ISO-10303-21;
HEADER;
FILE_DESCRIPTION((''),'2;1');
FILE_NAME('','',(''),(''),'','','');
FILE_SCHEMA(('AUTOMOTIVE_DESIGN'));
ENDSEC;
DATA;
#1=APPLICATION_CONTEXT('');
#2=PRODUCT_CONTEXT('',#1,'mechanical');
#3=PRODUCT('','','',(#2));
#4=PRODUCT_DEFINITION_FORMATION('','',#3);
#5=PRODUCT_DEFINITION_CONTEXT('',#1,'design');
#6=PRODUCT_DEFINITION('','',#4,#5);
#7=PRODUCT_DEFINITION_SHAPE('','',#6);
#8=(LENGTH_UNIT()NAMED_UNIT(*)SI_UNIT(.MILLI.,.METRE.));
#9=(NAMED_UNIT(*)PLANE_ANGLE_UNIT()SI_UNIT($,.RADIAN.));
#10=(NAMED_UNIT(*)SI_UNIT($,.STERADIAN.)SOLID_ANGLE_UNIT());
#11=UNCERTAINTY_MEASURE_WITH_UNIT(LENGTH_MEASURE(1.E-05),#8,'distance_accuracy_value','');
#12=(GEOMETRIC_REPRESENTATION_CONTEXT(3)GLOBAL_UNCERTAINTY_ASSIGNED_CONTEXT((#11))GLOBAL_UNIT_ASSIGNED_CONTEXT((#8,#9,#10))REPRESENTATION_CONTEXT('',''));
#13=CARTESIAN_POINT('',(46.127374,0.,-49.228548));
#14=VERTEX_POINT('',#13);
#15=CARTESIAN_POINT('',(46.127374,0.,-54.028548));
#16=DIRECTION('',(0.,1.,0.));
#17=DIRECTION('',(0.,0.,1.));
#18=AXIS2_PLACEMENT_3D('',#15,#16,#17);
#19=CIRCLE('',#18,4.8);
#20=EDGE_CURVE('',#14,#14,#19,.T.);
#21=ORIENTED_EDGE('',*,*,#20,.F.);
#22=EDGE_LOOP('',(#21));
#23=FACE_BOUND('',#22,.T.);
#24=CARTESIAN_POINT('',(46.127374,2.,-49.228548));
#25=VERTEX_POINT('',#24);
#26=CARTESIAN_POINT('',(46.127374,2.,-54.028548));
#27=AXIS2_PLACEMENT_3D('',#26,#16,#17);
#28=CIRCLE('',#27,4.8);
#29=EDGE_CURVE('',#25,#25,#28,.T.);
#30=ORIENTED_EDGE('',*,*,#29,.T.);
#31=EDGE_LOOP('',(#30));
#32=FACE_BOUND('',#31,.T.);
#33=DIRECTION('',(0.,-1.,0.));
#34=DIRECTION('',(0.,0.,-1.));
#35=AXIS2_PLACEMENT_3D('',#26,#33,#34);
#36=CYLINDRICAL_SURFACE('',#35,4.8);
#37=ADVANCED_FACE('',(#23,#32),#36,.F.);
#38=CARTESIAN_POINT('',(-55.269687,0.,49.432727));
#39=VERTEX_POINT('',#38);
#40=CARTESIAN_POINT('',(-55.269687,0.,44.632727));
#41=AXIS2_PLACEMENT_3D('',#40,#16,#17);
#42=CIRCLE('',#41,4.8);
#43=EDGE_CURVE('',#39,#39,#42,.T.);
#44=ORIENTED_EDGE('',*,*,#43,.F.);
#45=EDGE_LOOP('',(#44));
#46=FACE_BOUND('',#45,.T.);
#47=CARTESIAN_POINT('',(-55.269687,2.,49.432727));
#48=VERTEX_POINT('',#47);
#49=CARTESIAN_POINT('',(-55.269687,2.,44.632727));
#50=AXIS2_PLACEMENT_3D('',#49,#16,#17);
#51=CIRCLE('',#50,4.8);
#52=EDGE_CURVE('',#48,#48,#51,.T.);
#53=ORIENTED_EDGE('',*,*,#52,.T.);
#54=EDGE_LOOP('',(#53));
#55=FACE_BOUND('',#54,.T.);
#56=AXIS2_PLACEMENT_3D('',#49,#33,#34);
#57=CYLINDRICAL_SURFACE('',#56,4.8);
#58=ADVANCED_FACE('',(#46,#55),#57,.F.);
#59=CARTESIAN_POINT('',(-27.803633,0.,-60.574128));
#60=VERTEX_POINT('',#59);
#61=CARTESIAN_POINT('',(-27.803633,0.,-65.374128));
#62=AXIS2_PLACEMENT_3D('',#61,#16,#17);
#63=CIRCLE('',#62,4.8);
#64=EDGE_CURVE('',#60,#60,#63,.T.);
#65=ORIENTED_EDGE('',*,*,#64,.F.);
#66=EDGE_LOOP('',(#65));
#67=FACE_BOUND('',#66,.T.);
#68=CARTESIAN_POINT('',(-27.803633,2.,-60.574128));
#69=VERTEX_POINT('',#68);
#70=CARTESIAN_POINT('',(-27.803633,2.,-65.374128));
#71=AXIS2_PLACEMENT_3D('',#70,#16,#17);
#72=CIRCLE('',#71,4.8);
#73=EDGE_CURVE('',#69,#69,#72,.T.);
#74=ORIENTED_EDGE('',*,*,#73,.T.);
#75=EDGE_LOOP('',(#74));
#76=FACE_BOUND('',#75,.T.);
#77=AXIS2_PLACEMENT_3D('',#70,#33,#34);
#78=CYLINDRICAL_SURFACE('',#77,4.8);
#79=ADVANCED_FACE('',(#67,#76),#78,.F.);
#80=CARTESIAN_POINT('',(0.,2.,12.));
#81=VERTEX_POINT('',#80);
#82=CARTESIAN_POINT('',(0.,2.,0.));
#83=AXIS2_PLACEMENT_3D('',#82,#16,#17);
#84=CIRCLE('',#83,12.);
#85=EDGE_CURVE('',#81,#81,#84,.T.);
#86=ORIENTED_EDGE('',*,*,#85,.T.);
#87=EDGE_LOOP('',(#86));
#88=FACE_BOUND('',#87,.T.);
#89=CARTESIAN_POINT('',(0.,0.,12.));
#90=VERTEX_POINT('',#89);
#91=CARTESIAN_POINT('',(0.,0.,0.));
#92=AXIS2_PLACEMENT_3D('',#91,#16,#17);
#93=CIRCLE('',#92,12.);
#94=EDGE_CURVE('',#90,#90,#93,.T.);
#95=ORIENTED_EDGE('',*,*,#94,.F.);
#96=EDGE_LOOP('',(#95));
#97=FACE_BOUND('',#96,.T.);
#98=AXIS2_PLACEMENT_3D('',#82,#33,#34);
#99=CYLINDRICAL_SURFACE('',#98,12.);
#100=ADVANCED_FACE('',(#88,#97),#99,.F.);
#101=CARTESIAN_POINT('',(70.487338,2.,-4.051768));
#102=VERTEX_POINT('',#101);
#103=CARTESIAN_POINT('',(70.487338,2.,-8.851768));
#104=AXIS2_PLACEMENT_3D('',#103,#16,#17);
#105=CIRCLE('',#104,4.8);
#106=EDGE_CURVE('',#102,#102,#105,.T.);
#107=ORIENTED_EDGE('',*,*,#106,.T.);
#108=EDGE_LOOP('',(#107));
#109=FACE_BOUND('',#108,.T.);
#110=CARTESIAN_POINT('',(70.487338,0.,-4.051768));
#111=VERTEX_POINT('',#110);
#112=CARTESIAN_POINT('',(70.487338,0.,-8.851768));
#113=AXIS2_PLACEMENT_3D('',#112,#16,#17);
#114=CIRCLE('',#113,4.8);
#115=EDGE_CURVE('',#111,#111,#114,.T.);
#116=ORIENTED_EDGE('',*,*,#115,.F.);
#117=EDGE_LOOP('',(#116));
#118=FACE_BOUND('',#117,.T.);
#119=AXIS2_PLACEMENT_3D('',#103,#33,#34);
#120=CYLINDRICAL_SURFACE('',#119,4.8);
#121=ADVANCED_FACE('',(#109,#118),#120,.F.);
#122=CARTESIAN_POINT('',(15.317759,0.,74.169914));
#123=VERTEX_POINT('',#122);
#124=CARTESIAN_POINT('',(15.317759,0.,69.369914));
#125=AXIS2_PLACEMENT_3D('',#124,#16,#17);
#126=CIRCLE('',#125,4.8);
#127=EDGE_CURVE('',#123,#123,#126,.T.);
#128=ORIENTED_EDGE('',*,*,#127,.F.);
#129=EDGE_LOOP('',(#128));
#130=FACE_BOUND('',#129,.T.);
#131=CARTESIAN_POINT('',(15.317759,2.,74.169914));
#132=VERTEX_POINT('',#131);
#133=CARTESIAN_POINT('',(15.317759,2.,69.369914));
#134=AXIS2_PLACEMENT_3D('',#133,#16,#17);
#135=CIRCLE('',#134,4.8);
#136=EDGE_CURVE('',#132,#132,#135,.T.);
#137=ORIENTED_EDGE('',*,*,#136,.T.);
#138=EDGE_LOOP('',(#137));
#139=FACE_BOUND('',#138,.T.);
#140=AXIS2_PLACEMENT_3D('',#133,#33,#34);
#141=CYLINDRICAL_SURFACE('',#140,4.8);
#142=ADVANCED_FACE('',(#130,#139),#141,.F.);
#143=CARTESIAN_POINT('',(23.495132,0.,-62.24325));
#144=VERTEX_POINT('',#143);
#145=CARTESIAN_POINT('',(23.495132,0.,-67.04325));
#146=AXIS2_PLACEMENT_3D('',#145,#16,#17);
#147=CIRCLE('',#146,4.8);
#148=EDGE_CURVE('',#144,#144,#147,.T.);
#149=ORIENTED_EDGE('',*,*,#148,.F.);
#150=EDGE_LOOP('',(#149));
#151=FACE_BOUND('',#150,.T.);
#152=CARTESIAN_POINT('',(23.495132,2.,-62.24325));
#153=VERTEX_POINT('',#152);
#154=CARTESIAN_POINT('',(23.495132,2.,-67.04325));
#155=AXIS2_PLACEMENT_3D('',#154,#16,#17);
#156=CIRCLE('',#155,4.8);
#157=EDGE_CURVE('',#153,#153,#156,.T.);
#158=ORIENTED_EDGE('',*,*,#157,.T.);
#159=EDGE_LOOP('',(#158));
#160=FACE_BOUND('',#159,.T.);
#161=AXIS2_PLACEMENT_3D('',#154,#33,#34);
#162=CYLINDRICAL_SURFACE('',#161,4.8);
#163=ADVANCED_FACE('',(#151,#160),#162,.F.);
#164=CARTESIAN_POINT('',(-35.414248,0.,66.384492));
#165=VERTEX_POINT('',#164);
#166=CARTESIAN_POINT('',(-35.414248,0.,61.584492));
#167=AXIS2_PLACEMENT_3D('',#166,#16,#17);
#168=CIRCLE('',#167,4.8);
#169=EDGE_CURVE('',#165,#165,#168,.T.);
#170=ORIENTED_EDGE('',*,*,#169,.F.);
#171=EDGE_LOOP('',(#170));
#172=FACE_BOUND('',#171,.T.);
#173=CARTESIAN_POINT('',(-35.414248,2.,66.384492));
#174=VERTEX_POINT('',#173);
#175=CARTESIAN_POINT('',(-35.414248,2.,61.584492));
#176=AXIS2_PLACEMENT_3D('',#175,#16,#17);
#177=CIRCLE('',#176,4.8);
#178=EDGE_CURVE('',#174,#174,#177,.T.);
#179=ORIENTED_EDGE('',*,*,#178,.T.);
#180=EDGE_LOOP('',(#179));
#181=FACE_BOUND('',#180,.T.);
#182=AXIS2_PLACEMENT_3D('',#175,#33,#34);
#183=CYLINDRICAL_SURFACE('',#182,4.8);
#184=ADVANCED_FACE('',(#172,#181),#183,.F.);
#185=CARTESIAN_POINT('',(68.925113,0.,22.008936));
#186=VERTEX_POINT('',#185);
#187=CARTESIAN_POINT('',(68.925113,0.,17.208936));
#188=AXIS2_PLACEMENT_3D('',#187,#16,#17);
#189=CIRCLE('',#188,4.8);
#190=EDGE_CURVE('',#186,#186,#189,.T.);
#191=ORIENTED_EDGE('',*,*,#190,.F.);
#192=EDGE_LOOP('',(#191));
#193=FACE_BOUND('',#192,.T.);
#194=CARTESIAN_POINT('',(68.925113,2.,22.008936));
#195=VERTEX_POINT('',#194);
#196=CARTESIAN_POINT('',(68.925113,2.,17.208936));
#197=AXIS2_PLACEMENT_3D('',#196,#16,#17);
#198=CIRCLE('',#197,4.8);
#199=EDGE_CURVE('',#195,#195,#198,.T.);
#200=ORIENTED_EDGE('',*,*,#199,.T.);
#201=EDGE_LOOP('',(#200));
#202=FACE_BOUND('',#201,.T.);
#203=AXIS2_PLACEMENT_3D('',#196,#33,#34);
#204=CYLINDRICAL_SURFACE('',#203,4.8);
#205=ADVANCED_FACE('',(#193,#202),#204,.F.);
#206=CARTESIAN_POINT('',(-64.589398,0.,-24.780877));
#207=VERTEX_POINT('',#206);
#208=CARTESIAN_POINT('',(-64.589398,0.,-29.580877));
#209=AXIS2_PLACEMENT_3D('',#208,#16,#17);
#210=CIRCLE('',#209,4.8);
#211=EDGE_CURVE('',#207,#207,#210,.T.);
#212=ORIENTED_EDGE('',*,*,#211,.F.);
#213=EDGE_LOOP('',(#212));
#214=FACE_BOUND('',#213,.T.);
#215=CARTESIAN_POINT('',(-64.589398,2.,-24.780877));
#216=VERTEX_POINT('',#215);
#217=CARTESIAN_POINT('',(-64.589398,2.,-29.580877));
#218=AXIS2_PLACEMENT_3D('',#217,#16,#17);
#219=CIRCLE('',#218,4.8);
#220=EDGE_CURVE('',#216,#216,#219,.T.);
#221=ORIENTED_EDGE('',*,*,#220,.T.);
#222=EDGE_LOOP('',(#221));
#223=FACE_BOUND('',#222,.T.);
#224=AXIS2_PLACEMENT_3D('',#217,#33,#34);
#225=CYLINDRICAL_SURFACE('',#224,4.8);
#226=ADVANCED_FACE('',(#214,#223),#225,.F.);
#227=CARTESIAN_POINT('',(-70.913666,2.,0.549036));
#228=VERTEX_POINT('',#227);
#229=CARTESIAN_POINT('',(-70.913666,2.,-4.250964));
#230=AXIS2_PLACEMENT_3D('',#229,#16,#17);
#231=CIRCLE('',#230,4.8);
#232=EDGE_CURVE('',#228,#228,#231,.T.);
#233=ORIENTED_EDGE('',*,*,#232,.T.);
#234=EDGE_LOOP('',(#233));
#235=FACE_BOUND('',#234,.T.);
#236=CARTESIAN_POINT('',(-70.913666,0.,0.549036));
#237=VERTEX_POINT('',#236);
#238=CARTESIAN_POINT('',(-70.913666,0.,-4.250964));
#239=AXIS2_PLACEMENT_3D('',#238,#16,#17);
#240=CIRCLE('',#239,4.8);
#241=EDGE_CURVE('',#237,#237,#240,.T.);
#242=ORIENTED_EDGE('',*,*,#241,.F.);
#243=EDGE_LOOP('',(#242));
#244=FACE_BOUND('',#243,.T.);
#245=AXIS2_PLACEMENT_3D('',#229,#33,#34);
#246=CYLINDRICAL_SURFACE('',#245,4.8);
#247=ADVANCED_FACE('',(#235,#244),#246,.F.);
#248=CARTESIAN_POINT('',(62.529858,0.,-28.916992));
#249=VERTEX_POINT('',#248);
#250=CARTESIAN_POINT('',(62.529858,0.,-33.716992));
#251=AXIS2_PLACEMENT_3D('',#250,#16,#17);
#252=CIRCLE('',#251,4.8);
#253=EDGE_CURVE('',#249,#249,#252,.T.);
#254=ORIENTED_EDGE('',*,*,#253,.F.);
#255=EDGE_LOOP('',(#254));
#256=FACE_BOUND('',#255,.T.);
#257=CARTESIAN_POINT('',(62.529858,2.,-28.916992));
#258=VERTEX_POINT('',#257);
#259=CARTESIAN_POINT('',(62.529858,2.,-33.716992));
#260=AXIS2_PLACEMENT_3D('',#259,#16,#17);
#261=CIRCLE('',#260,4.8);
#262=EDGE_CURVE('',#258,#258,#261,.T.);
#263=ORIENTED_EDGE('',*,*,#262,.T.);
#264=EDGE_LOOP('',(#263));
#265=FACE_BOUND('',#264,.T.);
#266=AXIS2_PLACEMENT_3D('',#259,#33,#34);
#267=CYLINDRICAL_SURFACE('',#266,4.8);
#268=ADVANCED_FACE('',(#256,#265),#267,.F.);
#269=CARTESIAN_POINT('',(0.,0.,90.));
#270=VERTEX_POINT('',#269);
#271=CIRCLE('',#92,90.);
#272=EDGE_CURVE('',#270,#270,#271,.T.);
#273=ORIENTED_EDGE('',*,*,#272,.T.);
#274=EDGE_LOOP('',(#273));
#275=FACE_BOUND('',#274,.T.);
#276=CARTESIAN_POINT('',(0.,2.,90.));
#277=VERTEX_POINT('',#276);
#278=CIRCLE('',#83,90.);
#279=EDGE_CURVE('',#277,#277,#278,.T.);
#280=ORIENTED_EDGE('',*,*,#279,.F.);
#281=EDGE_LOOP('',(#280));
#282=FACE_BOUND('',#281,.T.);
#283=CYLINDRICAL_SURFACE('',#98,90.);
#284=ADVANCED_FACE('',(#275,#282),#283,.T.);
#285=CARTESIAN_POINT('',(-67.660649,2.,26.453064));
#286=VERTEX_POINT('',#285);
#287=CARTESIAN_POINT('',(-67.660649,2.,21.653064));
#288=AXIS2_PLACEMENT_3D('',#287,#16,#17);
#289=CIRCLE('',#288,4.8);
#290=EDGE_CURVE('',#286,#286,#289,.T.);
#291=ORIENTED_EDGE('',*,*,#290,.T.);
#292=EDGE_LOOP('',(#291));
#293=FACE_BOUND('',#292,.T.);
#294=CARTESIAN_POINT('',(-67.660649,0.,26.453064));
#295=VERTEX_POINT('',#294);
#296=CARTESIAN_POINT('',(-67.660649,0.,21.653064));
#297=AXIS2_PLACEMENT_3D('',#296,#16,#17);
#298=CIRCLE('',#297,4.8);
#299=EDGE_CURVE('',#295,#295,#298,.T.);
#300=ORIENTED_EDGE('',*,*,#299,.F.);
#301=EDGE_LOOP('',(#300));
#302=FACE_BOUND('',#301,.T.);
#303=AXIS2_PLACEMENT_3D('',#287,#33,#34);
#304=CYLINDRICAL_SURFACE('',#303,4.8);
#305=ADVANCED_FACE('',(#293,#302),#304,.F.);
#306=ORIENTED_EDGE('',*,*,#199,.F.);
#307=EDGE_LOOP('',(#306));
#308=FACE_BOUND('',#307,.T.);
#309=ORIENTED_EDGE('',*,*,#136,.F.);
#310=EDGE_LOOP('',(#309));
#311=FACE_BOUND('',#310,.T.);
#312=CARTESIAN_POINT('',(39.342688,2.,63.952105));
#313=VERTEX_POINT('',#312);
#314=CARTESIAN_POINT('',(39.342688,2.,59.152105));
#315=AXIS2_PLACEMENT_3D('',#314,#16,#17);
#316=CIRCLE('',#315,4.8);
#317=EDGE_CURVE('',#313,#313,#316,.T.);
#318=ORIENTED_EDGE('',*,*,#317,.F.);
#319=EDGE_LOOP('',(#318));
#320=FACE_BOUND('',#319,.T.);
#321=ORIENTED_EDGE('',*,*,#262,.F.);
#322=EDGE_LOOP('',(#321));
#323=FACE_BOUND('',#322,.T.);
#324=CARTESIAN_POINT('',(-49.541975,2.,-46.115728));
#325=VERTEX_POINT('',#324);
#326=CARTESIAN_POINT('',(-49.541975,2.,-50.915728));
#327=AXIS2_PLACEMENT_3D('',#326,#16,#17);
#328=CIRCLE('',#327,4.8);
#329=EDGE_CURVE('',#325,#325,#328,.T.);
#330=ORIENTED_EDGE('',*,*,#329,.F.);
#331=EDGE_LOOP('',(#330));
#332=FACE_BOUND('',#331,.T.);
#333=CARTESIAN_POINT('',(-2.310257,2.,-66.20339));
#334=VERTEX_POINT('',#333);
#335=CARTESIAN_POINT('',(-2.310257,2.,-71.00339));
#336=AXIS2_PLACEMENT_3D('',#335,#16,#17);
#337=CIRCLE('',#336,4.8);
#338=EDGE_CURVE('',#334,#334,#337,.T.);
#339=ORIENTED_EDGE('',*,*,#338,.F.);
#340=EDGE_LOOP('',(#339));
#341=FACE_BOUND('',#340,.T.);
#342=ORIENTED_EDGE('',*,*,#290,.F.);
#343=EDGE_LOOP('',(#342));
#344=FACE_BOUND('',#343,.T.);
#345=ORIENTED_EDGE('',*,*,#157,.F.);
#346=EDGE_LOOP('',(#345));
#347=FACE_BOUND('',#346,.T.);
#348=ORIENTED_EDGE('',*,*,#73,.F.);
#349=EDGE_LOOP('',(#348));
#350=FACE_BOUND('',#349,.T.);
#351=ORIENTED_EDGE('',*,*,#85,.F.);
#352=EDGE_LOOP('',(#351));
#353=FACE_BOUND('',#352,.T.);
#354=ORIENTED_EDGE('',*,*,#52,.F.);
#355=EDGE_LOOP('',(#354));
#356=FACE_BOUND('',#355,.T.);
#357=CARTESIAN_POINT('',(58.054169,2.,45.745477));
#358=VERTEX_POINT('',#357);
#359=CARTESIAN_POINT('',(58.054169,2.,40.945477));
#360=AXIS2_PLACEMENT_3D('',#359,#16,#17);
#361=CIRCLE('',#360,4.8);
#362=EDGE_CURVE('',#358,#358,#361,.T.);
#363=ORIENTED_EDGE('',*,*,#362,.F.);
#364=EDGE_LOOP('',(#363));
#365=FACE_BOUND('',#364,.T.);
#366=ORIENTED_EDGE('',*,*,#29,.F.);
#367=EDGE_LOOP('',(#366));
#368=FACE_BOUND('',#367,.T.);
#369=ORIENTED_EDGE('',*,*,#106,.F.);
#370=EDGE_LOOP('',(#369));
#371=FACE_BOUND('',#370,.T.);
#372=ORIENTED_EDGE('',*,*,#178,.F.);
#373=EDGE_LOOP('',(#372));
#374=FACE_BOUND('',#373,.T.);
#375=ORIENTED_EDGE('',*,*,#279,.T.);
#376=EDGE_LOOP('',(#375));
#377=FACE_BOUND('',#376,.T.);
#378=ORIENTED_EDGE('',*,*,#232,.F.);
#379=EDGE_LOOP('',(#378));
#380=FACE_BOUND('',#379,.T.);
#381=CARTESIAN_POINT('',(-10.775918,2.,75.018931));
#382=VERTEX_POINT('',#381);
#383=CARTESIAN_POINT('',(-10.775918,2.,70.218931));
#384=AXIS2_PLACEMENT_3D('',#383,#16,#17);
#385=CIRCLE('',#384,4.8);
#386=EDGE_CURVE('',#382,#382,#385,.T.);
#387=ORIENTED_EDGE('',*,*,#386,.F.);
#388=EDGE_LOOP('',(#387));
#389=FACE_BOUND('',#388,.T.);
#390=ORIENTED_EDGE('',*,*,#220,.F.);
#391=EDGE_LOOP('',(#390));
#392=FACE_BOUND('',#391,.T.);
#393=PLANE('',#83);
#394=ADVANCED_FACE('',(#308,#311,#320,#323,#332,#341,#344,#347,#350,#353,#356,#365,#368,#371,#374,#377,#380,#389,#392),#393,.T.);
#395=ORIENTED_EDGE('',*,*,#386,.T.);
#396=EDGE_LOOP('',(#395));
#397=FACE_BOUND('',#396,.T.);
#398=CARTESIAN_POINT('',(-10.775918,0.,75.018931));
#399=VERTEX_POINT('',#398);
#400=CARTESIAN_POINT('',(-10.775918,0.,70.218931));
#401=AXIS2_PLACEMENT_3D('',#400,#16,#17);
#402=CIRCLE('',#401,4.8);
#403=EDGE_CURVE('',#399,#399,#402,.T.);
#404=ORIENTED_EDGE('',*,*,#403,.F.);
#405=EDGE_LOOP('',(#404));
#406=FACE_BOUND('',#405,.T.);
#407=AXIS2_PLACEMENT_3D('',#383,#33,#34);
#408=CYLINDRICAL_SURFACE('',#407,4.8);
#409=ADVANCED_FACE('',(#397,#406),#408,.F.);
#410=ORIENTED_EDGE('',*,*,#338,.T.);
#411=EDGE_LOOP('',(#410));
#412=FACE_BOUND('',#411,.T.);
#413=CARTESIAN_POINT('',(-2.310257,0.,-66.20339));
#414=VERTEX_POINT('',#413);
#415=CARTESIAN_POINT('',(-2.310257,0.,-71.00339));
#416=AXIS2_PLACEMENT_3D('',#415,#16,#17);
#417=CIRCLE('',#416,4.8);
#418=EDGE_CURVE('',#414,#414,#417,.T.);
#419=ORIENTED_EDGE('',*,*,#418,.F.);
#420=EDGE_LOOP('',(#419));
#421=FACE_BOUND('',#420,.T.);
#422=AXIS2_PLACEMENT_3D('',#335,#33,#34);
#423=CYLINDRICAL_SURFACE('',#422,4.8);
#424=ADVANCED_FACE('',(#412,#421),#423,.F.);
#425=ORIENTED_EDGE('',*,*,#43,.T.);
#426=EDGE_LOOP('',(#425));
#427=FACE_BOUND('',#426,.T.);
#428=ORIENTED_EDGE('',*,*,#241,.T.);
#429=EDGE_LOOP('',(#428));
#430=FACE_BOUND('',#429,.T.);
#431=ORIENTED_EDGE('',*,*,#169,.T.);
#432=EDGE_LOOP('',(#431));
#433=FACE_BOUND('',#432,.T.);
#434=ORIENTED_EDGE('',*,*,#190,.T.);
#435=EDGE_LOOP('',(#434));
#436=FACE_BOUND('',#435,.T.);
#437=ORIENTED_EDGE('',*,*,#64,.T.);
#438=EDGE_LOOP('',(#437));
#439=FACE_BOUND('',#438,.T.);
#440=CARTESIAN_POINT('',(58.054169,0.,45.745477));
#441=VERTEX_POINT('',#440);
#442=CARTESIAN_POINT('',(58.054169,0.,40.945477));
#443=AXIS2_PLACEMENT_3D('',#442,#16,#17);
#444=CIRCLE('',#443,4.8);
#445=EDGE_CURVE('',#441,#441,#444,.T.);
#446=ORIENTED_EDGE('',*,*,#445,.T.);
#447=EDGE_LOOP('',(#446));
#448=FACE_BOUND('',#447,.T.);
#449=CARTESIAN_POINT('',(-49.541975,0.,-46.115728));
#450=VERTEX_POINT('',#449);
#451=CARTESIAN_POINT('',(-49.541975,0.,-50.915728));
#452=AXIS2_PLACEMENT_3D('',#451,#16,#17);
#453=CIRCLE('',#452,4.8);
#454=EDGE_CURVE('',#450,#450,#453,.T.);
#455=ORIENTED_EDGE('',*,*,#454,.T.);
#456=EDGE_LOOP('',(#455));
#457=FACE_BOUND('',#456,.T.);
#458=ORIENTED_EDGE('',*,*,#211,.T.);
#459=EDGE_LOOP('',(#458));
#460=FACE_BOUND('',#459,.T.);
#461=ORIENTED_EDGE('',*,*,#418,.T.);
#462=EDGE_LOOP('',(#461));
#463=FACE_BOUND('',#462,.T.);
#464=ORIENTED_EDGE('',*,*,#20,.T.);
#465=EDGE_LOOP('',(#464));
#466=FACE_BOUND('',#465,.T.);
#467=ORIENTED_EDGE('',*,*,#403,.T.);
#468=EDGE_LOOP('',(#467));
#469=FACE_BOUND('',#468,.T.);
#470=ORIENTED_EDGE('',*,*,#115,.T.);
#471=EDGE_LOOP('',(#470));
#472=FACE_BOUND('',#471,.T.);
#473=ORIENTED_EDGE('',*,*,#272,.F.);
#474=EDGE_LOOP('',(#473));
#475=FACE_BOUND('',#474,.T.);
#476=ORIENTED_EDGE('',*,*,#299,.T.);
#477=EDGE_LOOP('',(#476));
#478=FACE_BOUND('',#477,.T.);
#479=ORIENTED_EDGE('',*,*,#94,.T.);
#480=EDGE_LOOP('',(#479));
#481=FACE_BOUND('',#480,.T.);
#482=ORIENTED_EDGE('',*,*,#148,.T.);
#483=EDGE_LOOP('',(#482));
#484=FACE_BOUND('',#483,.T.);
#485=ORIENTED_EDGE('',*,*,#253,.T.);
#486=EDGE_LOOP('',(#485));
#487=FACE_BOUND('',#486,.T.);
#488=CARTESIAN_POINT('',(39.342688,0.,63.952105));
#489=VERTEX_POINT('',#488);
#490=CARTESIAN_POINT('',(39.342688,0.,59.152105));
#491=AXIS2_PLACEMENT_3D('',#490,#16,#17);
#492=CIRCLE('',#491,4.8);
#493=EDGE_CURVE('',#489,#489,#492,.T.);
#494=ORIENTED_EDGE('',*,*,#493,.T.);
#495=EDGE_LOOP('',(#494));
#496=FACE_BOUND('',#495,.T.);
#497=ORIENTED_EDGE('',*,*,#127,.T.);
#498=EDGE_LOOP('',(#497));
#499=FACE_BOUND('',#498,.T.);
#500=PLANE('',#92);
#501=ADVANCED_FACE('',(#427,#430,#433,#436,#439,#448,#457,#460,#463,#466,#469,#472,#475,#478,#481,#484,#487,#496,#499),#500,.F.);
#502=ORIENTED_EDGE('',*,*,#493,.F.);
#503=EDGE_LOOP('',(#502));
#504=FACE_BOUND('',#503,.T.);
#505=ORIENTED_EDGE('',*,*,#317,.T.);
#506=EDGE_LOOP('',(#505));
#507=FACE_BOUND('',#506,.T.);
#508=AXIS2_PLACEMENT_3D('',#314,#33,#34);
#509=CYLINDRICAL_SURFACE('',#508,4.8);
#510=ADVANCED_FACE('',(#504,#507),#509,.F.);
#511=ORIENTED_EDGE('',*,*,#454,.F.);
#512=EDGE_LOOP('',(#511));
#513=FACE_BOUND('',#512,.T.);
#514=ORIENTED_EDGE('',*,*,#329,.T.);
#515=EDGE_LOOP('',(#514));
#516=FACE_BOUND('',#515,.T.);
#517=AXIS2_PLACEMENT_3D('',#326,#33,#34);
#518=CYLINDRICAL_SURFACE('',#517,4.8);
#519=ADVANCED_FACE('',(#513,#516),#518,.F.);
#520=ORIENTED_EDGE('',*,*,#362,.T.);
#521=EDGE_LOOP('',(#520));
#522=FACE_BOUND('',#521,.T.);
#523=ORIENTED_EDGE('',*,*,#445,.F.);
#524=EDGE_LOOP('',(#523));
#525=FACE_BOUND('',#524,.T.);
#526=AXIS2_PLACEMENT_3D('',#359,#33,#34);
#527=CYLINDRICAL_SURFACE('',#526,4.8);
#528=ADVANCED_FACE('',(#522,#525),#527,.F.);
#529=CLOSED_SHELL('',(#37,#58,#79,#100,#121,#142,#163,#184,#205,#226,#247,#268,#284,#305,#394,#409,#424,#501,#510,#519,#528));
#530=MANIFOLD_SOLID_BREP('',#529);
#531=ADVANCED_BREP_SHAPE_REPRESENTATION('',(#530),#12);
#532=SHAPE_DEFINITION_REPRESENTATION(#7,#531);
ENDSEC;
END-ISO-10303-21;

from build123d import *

# Parameters (mm, degrees)
SKETCH_1_R          = 90
EXTRUDE_1_DEPTH     = 2
SKETCH_2_R          = 4.8
SKETCH_2_R_2        = 12
CUT_EXTRUDE_3_DEPTH = 128.294933128


with BuildPart() as part:
    # Эскиз1 → Вытянуть1 (new body)
    with BuildSketch(Plane(origin=(0, 0, 0), x_dir=(1, 0, 0), z_dir=(0, 1, 0))):
        with Locations(Location((0, 0, 0), (0, 0, 270))):
            Circle(SKETCH_1_R)
    extrude(amount=EXTRUDE_1_DEPTH)

    # Эскиз2 → Вырез-Вытянуть3 (cut, through all)
    with BuildSketch(Plane(origin=(0, 0, 0), x_dir=(1, 0, 0), z_dir=(0, 1, 0))):
        with Locations(Location((68.925113062, -17.208935516, 0), (0, 0, 270))):
            Circle(SKETCH_2_R)
        with Locations(Location((58.0541693, -40.945477151, 0), (0, 0, 270))):
            Circle(SKETCH_2_R)
        with Locations(Location((39.342688284, -59.15210521, 0), (0, 0, 270))):
            Circle(SKETCH_2_R)
        with Locations(Location((15.317759211, -69.369913687, 0), (0, 0, 270))):
            Circle(SKETCH_2_R)
        with Locations(Location((-10.775918123, -70.218930929, 0), (0, 0, 270))):
            Circle(SKETCH_2_R)
        with Locations(Location((-35.414248003, -61.584492452, 0), (0, 0, 270))):
            Circle(SKETCH_2_R)
        with Locations(Location((-55.269687452, -44.632727018, 0), (0, 0, 270))):
            Circle(SKETCH_2_R)
        with Locations(Location((-67.660649352, -21.653064482, 0), (0, 0, 270))):
            Circle(SKETCH_2_R)
        with Locations(Location((-70.913665636, 4.250964396, 0), (0, 0, 270))):
            Circle(SKETCH_2_R)
        with Locations(Location((-64.589398429, 29.580876977, 0), (0, 0, 270))):
            Circle(SKETCH_2_R)
        with Locations(Location((-49.541975063, 50.915728209, 0), (0, 0, 270))):
            Circle(SKETCH_2_R)
        with Locations(Location((-27.803633442, 65.374128213, 0), (0, 0, 270))):
            Circle(SKETCH_2_R)
        with Locations(Location((-2.31025706, 71.003389951, 0), (0, 0, 270))):
            Circle(SKETCH_2_R)
        with Locations(Location((23.495132339, 67.043250433, 0), (0, 0, 270))):
            Circle(SKETCH_2_R)
        with Locations(Location((46.127373925, 54.028548444, 0), (0, 0, 270))):
            Circle(SKETCH_2_R)
        with Locations(Location((62.529858062, 33.716991605, 0), (0, 0, 270))):
            Circle(SKETCH_2_R)
        with Locations(Location((70.487338378, 8.851768218, 0), (0, 0, 270))):
            Circle(SKETCH_2_R)
        with Locations(Location((0, 0, 0), (0, 0, 270))):
            Circle(SKETCH_2_R_2)
    extrude(amount=CUT_EXTRUDE_3_DEPTH, mode=Mode.SUBTRACT)


solid = part.part
